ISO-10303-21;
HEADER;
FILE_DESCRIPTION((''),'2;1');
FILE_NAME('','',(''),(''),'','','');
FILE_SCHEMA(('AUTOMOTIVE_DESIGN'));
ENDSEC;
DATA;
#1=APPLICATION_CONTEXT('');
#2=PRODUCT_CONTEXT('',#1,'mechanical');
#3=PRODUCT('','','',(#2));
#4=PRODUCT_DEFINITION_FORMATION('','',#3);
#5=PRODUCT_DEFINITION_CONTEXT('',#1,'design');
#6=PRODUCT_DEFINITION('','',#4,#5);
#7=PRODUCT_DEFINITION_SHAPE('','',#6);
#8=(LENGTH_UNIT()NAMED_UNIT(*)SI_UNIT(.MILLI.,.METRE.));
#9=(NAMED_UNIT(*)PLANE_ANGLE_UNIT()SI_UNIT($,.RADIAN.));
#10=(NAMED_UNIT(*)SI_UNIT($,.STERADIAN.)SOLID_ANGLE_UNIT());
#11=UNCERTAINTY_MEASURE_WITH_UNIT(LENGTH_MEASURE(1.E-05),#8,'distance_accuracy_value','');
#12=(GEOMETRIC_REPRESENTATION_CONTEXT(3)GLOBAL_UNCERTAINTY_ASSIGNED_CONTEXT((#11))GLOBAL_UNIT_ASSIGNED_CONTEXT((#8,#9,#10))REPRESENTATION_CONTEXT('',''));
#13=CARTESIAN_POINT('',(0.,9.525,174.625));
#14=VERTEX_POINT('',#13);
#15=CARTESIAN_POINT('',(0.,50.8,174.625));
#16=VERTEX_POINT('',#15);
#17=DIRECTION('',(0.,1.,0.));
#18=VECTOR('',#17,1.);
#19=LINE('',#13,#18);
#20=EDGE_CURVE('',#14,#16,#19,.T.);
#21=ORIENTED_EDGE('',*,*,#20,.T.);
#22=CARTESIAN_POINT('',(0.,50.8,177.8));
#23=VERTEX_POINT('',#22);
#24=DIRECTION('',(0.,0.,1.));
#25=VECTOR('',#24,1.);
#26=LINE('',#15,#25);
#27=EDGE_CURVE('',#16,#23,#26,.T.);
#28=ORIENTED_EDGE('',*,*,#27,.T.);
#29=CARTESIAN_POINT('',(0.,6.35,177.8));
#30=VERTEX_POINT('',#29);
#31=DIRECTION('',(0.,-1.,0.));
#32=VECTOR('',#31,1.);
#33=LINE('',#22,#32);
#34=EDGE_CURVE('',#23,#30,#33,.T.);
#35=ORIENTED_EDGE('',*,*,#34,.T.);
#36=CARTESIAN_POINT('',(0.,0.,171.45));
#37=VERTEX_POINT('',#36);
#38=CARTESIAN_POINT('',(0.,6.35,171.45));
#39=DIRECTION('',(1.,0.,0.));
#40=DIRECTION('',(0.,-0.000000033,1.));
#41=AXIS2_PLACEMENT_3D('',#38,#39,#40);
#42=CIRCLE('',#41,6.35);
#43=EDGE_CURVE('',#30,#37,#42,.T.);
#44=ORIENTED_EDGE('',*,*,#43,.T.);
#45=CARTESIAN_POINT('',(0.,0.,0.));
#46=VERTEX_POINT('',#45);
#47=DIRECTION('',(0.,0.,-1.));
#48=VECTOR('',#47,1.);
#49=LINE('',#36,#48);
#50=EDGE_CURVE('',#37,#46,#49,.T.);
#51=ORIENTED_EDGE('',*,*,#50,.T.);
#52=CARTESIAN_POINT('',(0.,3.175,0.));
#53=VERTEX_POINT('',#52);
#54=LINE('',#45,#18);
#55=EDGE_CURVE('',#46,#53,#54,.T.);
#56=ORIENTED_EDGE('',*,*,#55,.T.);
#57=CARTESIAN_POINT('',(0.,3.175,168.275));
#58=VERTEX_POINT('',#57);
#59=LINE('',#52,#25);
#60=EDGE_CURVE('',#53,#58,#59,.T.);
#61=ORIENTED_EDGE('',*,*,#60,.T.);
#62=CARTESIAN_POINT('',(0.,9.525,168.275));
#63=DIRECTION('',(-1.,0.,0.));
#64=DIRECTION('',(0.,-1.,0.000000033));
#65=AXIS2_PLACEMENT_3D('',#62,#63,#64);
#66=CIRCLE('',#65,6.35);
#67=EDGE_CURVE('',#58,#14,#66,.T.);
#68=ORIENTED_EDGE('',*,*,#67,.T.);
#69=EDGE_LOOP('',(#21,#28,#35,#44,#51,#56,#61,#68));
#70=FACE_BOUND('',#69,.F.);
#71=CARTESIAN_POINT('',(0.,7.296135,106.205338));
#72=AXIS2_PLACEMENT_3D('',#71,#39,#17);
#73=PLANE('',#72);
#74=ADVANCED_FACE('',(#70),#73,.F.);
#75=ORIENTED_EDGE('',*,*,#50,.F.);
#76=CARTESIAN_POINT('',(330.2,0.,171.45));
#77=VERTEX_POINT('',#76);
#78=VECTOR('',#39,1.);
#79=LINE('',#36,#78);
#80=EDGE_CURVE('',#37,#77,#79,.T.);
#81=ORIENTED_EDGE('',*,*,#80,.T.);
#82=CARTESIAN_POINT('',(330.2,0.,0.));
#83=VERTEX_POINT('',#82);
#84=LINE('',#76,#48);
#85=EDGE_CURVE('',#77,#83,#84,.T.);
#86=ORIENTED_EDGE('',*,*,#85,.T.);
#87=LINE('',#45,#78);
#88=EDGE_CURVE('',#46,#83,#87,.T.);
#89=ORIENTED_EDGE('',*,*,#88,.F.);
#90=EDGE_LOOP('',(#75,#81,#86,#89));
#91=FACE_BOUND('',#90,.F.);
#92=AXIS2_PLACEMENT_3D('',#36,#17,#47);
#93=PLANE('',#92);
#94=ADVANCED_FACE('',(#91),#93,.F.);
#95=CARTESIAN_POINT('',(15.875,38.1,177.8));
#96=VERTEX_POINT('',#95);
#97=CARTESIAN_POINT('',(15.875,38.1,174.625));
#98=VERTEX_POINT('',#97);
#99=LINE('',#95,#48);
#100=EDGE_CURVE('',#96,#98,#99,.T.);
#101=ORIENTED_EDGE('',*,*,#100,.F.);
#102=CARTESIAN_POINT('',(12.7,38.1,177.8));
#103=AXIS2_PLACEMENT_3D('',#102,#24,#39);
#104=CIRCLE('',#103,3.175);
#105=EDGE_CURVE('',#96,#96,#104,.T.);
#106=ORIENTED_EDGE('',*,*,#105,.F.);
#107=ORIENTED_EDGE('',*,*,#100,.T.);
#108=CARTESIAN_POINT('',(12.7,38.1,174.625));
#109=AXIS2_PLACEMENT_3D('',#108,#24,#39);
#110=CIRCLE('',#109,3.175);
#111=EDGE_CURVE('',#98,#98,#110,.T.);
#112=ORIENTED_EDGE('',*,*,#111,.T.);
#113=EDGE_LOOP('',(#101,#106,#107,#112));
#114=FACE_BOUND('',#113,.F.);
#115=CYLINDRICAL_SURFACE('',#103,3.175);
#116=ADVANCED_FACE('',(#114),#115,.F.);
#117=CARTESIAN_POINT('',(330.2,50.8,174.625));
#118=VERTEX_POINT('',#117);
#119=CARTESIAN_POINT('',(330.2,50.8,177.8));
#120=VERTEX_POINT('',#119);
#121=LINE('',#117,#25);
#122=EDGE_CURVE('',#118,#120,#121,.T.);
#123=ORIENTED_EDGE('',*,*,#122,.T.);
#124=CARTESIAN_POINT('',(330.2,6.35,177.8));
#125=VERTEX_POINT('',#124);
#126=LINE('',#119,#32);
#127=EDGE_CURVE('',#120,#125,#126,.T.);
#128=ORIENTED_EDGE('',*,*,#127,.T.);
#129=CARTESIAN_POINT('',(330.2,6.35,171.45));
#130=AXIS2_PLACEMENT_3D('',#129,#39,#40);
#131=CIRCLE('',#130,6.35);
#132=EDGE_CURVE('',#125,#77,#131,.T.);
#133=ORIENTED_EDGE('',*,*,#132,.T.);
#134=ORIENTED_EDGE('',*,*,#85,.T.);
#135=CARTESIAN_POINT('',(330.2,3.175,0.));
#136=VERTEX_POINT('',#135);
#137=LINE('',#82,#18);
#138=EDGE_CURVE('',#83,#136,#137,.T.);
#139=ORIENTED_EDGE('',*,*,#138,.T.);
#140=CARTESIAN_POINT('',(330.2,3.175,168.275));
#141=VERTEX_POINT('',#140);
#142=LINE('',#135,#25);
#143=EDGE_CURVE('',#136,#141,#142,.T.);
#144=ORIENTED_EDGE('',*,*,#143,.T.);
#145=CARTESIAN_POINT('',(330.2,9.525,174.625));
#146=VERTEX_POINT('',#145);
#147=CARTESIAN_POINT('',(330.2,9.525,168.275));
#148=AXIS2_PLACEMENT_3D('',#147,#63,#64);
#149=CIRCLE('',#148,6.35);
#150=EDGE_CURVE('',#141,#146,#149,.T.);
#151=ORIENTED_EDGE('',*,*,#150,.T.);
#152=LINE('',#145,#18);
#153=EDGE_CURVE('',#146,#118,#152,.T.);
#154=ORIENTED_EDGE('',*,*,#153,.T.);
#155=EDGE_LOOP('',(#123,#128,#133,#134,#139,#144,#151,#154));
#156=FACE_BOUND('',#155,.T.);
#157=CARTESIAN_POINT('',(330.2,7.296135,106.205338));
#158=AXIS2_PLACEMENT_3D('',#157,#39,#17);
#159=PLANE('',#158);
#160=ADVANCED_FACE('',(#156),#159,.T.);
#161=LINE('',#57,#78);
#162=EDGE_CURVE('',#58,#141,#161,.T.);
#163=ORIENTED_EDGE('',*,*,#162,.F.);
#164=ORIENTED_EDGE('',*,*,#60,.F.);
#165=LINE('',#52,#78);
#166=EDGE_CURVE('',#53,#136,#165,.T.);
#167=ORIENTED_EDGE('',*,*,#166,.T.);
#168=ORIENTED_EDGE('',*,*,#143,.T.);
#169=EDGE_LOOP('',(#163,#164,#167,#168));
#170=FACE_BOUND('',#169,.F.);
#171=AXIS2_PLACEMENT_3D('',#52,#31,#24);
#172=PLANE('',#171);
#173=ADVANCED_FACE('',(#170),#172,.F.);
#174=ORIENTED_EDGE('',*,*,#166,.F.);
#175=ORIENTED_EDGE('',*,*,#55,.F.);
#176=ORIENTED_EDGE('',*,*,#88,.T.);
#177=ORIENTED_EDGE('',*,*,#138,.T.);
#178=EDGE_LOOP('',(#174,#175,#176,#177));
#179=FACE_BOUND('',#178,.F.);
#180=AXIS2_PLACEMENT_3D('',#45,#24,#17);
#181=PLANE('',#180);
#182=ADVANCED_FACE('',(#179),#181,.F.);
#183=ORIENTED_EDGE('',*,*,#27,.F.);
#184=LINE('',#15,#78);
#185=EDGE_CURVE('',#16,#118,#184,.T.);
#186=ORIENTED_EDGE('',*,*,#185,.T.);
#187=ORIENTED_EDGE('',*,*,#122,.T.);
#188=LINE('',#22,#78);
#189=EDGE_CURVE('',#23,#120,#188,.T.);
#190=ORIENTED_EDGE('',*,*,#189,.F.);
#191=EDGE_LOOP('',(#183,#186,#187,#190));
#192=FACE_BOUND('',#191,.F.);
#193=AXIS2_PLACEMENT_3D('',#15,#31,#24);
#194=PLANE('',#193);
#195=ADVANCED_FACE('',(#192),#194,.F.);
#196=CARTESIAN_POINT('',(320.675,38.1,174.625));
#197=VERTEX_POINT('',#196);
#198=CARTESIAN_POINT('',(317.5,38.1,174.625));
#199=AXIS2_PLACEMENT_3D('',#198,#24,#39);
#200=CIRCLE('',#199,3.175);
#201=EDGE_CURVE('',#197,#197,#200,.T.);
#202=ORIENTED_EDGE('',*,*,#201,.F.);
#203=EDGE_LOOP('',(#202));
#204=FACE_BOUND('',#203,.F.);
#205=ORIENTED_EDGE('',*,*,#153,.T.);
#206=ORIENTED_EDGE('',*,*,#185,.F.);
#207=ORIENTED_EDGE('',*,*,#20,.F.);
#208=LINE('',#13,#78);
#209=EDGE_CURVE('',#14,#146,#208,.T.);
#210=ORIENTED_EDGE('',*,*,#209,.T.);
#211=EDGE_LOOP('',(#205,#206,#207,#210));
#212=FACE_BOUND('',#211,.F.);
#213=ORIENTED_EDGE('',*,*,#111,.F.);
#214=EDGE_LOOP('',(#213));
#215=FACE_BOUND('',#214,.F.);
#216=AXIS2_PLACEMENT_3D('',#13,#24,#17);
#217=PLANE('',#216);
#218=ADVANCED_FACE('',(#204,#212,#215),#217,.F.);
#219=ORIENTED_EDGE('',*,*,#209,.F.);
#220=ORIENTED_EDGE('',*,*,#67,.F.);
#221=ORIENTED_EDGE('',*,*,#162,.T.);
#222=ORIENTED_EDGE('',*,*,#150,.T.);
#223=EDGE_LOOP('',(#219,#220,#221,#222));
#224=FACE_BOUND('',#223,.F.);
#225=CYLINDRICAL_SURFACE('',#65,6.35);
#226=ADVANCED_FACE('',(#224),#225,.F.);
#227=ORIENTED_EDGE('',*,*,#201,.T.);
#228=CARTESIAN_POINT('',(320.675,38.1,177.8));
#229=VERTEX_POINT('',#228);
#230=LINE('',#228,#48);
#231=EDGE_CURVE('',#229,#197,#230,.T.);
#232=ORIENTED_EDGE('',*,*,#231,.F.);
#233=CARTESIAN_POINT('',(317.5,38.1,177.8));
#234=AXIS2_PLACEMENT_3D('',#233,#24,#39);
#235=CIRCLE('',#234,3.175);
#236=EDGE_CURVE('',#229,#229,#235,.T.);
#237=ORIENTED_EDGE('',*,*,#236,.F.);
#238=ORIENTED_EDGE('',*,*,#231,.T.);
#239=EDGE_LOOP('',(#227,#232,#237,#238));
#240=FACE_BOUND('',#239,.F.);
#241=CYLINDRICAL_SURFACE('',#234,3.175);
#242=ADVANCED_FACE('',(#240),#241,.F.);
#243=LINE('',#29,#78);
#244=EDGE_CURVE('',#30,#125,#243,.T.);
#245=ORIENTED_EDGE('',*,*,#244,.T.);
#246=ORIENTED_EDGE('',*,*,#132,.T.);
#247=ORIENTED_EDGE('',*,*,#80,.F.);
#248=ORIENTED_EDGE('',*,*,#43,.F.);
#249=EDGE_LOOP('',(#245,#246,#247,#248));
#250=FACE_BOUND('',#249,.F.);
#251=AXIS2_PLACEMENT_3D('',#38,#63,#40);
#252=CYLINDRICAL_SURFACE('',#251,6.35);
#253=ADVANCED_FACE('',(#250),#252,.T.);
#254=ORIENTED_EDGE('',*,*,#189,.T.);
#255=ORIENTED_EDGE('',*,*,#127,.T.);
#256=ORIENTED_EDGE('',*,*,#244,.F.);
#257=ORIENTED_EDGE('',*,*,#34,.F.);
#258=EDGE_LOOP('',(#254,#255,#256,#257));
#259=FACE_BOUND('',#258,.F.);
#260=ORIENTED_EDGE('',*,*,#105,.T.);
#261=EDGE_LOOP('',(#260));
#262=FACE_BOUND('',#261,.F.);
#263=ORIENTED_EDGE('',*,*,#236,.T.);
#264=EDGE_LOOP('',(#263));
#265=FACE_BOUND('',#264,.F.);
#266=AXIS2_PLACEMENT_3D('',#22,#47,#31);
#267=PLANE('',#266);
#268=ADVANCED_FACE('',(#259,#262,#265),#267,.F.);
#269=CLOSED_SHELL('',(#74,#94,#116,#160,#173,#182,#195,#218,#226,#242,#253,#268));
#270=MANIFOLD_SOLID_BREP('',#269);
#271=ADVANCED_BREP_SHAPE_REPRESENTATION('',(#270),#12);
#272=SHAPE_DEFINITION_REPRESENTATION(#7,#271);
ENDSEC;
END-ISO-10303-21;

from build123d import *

# Parameters (mm, degrees)
F1_DEPTH = 330.2
F2_R     = 3.175
F3_DEPTH = 177.801


with BuildPart() as f1:
    # F0 (on Right) → F1 (new body)
    with BuildSketch(Plane.YZ):
        with BuildLine():
            Line((0, 171.45), (0, 0))
            Line((0, 0), (3.175, 0))
            Line((3.175, 0), (3.175, 168.275))
            ThreePointArc((3.175, 168.275), (5.034872, 172.765128), (9.525, 174.625))
            Line((9.525, 174.625), (50.8, 174.625))
            Line((50.8, 174.625), (50.8, 177.8))
            Line((50.8, 177.8), (6.35, 177.8))
            ThreePointArc((6.35, 177.8), (1.859872, 175.940128), (0, 171.45))
        make_face()
    extrude(amount=F1_DEPTH)

    # F2 (on face) → F3 (cut, through all)
    with BuildSketch(Plane.XY.offset(177.8)):
        with Locations((12.7, 38.1)):
            Circle(F2_R)
        with Locations((317.5, 38.1)):
            Circle(F2_R)
    extrude(amount=-F3_DEPTH, mode=Mode.SUBTRACT)


solid = f1.part
